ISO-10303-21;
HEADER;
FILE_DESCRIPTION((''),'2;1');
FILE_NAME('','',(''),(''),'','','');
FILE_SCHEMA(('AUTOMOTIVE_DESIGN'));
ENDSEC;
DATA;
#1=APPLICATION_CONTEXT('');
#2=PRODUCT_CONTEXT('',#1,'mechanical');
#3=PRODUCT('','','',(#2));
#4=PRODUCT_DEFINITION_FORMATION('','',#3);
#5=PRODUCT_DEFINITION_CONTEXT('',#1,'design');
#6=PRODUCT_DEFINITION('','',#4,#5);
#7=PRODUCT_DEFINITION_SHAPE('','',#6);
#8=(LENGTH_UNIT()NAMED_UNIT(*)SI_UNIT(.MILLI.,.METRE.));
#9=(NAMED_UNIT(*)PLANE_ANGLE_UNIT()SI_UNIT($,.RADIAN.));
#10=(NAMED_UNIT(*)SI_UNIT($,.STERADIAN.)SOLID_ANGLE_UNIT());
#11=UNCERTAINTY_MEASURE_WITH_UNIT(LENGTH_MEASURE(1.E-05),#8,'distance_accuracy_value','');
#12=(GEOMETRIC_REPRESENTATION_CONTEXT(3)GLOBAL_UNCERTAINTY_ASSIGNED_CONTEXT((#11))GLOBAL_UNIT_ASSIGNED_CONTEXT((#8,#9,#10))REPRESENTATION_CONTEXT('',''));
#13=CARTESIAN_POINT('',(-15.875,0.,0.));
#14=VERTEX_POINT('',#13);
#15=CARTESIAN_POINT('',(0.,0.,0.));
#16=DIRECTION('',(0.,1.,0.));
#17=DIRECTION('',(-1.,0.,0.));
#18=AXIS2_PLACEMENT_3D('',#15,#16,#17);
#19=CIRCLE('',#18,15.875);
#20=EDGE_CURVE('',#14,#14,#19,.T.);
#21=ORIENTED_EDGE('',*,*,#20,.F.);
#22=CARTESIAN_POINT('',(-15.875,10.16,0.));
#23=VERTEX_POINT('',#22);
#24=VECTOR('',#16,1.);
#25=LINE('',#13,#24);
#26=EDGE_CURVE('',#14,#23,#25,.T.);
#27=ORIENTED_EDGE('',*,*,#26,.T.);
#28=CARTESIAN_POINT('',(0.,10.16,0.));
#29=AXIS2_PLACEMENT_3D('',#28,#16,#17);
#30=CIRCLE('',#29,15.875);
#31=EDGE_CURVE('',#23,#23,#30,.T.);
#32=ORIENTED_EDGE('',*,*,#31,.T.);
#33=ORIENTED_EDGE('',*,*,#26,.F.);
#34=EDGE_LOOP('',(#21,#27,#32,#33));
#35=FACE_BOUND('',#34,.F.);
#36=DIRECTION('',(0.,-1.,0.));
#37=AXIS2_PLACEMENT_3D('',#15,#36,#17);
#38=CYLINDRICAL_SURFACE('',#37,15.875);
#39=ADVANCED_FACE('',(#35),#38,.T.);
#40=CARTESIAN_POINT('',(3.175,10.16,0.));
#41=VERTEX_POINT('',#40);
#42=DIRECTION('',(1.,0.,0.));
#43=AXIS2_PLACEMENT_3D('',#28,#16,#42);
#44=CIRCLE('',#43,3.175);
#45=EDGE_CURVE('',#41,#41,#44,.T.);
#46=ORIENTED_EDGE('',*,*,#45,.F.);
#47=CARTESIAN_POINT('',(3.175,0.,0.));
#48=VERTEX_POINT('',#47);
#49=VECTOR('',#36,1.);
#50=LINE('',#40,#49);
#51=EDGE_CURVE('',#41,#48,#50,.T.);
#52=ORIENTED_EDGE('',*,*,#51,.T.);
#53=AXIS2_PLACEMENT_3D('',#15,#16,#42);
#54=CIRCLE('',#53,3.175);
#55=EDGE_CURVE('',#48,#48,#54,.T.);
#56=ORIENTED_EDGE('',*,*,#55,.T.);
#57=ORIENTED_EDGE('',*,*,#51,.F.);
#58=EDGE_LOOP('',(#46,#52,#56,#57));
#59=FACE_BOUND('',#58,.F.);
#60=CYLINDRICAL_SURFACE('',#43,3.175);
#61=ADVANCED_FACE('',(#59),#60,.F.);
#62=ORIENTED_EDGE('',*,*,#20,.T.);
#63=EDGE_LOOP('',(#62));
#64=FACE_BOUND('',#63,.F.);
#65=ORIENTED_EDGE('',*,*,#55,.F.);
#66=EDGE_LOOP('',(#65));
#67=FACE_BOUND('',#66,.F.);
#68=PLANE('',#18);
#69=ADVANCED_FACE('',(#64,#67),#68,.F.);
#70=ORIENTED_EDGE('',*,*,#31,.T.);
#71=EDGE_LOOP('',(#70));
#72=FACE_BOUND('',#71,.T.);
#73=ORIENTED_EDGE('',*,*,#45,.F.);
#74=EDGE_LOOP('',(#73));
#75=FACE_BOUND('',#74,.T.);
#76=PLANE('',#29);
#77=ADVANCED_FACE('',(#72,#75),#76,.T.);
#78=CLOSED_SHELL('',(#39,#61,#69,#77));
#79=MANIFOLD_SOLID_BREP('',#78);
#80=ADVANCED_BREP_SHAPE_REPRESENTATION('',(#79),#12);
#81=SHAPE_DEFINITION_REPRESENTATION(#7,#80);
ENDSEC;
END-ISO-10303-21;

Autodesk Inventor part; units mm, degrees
ref_plane "YZ Plane" through (0, 0, 0) normal (1, 0, 0) x (0, 1, 0)
ref_plane "XZ Plane" through (0, 0, 0) normal (0, 1, 0) x (-1, 0, 0)
ref_plane "XY Plane" through (0, 0, 0) normal (0, 0, 1) x (1, 0, 0)
sketch "Sketch1" plane through (0, 0, 0) normal (0, 1, 0) x (-1, 0, 0)
  circle A0 centre (0, 0) radius 15.875
  dimension "d0" = 31.75
extrude "Extrusion1" add sketch "Sketch1" along normal blind 10.16
sketch "Sketch2" plane through (0, 10.16, 0) normal (0, 1, 0) x (1, 0, 0)
  circle A0 centre (0, 0) radius 15.875 projected
  circle A1 centre (0, 0) radius 3.175
  dimension "d3" = 6.35
extrude "Extrusion2" cut sketch "Sketch2" against normal through all contours A1
properties part number "motorTire01" material "Rubber, Silicone"
